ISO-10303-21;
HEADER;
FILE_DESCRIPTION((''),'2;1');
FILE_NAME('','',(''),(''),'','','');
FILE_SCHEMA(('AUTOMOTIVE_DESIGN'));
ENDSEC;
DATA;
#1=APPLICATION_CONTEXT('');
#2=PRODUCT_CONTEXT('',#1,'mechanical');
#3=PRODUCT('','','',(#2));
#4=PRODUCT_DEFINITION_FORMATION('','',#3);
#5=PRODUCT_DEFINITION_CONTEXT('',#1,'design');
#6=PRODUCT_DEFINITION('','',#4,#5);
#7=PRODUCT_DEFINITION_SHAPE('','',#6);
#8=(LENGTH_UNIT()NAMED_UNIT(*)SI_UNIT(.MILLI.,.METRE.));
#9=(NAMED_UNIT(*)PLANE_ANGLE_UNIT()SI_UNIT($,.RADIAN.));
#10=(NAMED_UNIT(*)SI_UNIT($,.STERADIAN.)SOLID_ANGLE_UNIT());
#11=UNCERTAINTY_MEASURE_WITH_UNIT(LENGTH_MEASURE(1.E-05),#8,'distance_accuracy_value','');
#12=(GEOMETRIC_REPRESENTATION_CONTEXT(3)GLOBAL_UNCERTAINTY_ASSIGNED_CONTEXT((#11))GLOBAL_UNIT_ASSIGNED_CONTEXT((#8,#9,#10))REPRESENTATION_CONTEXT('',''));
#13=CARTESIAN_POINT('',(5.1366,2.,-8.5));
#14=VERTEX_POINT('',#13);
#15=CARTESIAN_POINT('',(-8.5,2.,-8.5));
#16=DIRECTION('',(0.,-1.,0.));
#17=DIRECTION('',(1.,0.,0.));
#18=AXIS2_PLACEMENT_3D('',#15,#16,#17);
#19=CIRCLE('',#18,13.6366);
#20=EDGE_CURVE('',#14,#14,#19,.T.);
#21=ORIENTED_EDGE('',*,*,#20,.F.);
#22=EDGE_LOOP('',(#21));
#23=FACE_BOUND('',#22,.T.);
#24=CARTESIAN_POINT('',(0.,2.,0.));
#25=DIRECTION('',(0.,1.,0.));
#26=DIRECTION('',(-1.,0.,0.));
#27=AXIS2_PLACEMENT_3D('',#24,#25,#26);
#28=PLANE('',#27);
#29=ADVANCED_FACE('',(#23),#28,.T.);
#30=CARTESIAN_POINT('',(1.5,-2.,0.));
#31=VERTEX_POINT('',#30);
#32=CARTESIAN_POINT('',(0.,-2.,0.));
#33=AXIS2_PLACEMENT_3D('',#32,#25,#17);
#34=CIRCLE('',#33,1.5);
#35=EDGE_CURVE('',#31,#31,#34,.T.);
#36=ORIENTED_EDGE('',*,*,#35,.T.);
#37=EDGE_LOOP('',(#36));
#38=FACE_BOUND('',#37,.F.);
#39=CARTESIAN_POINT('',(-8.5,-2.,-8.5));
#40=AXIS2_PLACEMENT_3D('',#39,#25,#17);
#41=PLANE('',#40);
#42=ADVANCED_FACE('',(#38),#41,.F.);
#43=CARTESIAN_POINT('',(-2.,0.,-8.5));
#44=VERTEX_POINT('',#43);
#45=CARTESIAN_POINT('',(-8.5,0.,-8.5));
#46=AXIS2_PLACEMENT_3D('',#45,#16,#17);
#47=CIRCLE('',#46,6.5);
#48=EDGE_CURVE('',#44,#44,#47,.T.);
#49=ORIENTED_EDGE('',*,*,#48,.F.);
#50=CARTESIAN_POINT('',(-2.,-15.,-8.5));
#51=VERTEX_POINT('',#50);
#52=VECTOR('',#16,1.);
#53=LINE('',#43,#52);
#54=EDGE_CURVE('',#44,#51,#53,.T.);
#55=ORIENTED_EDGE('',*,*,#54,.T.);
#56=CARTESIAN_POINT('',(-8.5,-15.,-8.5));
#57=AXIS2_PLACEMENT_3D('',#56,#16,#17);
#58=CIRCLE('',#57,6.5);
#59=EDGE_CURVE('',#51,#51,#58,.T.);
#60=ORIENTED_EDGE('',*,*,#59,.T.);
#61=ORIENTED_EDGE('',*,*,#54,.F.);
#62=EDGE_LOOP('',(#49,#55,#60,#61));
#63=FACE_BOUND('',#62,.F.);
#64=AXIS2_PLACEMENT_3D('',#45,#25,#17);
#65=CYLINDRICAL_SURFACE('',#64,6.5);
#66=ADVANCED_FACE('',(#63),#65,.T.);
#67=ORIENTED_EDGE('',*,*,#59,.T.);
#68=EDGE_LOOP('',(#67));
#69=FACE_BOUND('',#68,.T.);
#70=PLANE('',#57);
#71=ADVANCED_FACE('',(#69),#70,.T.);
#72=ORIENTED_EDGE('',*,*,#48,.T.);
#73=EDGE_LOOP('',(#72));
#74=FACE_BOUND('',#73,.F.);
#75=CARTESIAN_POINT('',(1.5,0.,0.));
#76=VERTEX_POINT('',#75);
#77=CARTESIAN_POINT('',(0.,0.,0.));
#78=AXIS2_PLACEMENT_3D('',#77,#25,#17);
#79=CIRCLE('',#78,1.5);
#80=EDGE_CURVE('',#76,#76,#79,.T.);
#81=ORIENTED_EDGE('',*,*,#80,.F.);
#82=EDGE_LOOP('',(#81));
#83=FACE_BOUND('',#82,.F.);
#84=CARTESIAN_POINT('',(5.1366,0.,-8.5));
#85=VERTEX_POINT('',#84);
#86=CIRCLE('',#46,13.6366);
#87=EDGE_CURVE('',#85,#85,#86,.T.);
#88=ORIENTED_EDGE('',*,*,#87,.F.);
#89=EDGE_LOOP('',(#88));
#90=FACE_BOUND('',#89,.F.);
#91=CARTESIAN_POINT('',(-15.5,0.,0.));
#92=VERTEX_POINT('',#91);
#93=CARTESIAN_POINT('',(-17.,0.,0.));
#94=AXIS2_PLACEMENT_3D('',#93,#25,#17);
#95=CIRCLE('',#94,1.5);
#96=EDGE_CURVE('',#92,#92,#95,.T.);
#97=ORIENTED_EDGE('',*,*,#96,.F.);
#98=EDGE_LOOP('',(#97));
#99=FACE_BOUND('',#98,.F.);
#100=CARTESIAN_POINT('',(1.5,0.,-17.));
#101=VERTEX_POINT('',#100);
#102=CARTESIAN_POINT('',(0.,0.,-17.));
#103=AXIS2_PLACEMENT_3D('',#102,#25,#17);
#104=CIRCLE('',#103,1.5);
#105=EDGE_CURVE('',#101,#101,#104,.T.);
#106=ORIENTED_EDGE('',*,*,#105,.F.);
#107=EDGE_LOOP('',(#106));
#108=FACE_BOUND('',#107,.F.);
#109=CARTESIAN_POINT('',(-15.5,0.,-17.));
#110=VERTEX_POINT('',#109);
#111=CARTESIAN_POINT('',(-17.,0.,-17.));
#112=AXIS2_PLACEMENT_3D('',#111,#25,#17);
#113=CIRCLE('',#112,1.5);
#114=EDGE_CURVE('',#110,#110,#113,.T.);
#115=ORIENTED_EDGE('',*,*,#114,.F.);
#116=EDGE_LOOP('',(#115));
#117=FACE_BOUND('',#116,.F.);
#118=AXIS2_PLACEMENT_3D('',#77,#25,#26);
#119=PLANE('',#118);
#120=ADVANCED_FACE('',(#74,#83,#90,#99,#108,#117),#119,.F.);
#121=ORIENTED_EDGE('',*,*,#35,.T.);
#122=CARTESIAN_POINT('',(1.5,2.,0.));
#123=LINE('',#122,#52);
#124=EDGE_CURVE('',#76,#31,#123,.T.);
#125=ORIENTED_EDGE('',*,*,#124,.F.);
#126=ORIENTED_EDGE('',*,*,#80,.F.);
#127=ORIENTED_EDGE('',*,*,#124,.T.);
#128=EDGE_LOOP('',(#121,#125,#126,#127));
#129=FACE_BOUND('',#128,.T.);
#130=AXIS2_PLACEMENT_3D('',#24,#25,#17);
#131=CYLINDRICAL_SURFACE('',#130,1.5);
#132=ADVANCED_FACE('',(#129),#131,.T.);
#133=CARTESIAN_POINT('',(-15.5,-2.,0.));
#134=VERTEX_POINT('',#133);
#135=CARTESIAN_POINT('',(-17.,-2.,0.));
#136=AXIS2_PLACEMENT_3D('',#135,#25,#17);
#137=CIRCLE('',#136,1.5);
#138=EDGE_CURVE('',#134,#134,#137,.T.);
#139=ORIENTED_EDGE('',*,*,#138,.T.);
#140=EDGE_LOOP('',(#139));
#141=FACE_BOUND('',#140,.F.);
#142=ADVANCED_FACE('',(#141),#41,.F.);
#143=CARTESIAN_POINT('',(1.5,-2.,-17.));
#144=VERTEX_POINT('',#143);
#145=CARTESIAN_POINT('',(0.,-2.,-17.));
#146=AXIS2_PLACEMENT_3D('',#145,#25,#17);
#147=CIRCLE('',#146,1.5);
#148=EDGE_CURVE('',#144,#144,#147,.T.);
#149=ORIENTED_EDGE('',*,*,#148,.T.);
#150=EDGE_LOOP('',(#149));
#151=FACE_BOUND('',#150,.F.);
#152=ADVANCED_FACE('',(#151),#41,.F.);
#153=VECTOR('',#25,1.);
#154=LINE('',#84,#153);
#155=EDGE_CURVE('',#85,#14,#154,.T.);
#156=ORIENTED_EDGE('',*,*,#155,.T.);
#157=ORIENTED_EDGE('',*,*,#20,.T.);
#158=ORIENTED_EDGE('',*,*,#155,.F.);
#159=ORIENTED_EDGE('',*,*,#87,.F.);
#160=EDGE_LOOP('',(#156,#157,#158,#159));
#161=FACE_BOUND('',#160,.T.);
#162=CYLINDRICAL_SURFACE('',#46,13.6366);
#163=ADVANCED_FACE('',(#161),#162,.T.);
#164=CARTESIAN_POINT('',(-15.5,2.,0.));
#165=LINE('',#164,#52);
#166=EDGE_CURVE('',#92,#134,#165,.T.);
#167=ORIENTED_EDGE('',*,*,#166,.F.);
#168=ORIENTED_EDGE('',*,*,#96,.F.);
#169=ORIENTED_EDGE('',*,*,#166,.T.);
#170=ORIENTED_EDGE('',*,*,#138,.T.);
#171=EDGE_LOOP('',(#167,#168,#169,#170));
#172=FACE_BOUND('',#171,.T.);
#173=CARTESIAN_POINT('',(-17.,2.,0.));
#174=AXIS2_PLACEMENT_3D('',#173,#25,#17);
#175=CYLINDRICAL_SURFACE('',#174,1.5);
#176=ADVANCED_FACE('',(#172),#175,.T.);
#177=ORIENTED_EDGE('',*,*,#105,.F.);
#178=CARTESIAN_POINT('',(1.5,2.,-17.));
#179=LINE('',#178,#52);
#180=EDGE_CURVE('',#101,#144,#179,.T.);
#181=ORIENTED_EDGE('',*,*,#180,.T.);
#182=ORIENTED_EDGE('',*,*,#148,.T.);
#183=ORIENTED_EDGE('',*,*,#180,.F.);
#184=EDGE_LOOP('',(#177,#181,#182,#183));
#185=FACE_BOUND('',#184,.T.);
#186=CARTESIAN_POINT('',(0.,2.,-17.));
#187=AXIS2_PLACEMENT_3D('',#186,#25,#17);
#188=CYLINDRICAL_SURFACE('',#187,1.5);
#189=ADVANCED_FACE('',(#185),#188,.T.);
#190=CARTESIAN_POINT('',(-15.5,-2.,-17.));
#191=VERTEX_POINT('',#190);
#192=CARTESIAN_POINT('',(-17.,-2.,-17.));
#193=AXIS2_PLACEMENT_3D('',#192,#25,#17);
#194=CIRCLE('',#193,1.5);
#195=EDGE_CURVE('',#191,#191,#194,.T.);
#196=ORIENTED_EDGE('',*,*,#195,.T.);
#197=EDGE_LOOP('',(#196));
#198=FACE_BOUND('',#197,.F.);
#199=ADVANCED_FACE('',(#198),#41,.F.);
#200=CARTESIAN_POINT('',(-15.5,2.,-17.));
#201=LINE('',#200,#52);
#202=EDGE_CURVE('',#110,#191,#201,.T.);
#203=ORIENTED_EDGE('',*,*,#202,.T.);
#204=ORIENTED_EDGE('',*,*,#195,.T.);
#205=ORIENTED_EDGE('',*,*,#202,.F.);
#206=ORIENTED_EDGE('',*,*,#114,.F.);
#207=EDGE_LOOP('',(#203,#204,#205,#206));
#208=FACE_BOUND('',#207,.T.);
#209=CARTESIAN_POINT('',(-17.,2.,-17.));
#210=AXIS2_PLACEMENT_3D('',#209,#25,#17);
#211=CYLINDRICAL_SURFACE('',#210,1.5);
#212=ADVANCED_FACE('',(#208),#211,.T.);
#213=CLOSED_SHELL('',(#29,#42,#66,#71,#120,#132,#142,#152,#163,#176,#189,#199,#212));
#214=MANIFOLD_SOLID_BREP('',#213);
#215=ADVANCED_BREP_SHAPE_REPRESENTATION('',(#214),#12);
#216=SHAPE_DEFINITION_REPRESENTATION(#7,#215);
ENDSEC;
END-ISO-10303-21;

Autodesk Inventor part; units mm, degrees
ref_plane "YZ Plane" through (0, 0, 0) normal (1, 0, 0) x (0, 1, 0)
ref_plane "XZ Plane" through (0, 0, 0) normal (0, 1, 0) x (-1, 0, 0)
ref_plane "XY Plane" through (0, 0, 0) normal (0, 0, 1) x (1, 0, 0)
sketch "Boceto1" plane through (0, 0, 0) normal (0, 1, 0) x (-1, 0, 0)
  line L0 (0, 0) -> (17, 0)
  line L1 (17, 0) -> (17, -17)
  line L2 (17, -17) -> (0, -17)
  line L3 (0, -17) -> (0, 0)
  circle A0 centre (17, 0) radius 1.5
  circle A1 centre (17, -17) radius 1.5
  circle A2 centre (0, -17) radius 1.5
  circle A3 centre (0, 0) radius 1.5
  circle A4 centre (8.5, -8.5) radius 14.1421
  dimension "d0" = 17
  dimension "d1" = 17
  dimension "d2" = 3
  dimension "d3" = 3
  dimension "d4" = 3
  dimension "d5" = 3
extrude "Extrusión1" add sketch "Boceto1" along normal blind 2 contours L0 A0 L1 A1 L2 A2 L3 A3 | A4
sketch "Boceto2" plane through (-8.5, 2, -8.5) normal (0, 1, 0) x (1, 0, 0)
  circle A0 centre (8.5, -8.5) radius 1.5
  circle A1 centre (8.5, 8.5) radius 1.5 projected
  circle A2 centre (8.5, 8.5) radius 1.5
  circle A3 centre (-8.5, 8.5) radius 1.5 projected
  circle A4 centre (-8.5, 8.5) radius 1.5
  circle A5 centre (-8.5, -8.5) radius 1.5 projected
  circle A6 centre (-8.5, -8.5) radius 1.5
extrude "Extrusión2" add sketch "Boceto2" against normal blind 4
sketch "Boceto3" plane through (-8.5, 0, -8.5) normal (0, -1, 0) x (1, 0, 0)
  circle A0 centre (0, 0) radius 6.5
  point P0 (8.5, 8.5)
  dimension "d10" = 13
extrude "Extrusión3" add sketch "Boceto3" along normal blind 15
sketch "Boceto4" plane through (-8.5, 0, -8.5) normal (0, -1, 0) x (1, 0, 0)
  circle A0 centre (0, 0) radius 6.5 projected
  circle A1 centre (0, 0) radius 13.6366
  circle A2 centre (0, 0) radius 6.5 projected
  circle A3 centre (0, 0) radius 14.1421
  point P0 (8.5, 8.5)
extrude "Extrusión4" cut sketch "Boceto4" against normal blind 10 contours A3
